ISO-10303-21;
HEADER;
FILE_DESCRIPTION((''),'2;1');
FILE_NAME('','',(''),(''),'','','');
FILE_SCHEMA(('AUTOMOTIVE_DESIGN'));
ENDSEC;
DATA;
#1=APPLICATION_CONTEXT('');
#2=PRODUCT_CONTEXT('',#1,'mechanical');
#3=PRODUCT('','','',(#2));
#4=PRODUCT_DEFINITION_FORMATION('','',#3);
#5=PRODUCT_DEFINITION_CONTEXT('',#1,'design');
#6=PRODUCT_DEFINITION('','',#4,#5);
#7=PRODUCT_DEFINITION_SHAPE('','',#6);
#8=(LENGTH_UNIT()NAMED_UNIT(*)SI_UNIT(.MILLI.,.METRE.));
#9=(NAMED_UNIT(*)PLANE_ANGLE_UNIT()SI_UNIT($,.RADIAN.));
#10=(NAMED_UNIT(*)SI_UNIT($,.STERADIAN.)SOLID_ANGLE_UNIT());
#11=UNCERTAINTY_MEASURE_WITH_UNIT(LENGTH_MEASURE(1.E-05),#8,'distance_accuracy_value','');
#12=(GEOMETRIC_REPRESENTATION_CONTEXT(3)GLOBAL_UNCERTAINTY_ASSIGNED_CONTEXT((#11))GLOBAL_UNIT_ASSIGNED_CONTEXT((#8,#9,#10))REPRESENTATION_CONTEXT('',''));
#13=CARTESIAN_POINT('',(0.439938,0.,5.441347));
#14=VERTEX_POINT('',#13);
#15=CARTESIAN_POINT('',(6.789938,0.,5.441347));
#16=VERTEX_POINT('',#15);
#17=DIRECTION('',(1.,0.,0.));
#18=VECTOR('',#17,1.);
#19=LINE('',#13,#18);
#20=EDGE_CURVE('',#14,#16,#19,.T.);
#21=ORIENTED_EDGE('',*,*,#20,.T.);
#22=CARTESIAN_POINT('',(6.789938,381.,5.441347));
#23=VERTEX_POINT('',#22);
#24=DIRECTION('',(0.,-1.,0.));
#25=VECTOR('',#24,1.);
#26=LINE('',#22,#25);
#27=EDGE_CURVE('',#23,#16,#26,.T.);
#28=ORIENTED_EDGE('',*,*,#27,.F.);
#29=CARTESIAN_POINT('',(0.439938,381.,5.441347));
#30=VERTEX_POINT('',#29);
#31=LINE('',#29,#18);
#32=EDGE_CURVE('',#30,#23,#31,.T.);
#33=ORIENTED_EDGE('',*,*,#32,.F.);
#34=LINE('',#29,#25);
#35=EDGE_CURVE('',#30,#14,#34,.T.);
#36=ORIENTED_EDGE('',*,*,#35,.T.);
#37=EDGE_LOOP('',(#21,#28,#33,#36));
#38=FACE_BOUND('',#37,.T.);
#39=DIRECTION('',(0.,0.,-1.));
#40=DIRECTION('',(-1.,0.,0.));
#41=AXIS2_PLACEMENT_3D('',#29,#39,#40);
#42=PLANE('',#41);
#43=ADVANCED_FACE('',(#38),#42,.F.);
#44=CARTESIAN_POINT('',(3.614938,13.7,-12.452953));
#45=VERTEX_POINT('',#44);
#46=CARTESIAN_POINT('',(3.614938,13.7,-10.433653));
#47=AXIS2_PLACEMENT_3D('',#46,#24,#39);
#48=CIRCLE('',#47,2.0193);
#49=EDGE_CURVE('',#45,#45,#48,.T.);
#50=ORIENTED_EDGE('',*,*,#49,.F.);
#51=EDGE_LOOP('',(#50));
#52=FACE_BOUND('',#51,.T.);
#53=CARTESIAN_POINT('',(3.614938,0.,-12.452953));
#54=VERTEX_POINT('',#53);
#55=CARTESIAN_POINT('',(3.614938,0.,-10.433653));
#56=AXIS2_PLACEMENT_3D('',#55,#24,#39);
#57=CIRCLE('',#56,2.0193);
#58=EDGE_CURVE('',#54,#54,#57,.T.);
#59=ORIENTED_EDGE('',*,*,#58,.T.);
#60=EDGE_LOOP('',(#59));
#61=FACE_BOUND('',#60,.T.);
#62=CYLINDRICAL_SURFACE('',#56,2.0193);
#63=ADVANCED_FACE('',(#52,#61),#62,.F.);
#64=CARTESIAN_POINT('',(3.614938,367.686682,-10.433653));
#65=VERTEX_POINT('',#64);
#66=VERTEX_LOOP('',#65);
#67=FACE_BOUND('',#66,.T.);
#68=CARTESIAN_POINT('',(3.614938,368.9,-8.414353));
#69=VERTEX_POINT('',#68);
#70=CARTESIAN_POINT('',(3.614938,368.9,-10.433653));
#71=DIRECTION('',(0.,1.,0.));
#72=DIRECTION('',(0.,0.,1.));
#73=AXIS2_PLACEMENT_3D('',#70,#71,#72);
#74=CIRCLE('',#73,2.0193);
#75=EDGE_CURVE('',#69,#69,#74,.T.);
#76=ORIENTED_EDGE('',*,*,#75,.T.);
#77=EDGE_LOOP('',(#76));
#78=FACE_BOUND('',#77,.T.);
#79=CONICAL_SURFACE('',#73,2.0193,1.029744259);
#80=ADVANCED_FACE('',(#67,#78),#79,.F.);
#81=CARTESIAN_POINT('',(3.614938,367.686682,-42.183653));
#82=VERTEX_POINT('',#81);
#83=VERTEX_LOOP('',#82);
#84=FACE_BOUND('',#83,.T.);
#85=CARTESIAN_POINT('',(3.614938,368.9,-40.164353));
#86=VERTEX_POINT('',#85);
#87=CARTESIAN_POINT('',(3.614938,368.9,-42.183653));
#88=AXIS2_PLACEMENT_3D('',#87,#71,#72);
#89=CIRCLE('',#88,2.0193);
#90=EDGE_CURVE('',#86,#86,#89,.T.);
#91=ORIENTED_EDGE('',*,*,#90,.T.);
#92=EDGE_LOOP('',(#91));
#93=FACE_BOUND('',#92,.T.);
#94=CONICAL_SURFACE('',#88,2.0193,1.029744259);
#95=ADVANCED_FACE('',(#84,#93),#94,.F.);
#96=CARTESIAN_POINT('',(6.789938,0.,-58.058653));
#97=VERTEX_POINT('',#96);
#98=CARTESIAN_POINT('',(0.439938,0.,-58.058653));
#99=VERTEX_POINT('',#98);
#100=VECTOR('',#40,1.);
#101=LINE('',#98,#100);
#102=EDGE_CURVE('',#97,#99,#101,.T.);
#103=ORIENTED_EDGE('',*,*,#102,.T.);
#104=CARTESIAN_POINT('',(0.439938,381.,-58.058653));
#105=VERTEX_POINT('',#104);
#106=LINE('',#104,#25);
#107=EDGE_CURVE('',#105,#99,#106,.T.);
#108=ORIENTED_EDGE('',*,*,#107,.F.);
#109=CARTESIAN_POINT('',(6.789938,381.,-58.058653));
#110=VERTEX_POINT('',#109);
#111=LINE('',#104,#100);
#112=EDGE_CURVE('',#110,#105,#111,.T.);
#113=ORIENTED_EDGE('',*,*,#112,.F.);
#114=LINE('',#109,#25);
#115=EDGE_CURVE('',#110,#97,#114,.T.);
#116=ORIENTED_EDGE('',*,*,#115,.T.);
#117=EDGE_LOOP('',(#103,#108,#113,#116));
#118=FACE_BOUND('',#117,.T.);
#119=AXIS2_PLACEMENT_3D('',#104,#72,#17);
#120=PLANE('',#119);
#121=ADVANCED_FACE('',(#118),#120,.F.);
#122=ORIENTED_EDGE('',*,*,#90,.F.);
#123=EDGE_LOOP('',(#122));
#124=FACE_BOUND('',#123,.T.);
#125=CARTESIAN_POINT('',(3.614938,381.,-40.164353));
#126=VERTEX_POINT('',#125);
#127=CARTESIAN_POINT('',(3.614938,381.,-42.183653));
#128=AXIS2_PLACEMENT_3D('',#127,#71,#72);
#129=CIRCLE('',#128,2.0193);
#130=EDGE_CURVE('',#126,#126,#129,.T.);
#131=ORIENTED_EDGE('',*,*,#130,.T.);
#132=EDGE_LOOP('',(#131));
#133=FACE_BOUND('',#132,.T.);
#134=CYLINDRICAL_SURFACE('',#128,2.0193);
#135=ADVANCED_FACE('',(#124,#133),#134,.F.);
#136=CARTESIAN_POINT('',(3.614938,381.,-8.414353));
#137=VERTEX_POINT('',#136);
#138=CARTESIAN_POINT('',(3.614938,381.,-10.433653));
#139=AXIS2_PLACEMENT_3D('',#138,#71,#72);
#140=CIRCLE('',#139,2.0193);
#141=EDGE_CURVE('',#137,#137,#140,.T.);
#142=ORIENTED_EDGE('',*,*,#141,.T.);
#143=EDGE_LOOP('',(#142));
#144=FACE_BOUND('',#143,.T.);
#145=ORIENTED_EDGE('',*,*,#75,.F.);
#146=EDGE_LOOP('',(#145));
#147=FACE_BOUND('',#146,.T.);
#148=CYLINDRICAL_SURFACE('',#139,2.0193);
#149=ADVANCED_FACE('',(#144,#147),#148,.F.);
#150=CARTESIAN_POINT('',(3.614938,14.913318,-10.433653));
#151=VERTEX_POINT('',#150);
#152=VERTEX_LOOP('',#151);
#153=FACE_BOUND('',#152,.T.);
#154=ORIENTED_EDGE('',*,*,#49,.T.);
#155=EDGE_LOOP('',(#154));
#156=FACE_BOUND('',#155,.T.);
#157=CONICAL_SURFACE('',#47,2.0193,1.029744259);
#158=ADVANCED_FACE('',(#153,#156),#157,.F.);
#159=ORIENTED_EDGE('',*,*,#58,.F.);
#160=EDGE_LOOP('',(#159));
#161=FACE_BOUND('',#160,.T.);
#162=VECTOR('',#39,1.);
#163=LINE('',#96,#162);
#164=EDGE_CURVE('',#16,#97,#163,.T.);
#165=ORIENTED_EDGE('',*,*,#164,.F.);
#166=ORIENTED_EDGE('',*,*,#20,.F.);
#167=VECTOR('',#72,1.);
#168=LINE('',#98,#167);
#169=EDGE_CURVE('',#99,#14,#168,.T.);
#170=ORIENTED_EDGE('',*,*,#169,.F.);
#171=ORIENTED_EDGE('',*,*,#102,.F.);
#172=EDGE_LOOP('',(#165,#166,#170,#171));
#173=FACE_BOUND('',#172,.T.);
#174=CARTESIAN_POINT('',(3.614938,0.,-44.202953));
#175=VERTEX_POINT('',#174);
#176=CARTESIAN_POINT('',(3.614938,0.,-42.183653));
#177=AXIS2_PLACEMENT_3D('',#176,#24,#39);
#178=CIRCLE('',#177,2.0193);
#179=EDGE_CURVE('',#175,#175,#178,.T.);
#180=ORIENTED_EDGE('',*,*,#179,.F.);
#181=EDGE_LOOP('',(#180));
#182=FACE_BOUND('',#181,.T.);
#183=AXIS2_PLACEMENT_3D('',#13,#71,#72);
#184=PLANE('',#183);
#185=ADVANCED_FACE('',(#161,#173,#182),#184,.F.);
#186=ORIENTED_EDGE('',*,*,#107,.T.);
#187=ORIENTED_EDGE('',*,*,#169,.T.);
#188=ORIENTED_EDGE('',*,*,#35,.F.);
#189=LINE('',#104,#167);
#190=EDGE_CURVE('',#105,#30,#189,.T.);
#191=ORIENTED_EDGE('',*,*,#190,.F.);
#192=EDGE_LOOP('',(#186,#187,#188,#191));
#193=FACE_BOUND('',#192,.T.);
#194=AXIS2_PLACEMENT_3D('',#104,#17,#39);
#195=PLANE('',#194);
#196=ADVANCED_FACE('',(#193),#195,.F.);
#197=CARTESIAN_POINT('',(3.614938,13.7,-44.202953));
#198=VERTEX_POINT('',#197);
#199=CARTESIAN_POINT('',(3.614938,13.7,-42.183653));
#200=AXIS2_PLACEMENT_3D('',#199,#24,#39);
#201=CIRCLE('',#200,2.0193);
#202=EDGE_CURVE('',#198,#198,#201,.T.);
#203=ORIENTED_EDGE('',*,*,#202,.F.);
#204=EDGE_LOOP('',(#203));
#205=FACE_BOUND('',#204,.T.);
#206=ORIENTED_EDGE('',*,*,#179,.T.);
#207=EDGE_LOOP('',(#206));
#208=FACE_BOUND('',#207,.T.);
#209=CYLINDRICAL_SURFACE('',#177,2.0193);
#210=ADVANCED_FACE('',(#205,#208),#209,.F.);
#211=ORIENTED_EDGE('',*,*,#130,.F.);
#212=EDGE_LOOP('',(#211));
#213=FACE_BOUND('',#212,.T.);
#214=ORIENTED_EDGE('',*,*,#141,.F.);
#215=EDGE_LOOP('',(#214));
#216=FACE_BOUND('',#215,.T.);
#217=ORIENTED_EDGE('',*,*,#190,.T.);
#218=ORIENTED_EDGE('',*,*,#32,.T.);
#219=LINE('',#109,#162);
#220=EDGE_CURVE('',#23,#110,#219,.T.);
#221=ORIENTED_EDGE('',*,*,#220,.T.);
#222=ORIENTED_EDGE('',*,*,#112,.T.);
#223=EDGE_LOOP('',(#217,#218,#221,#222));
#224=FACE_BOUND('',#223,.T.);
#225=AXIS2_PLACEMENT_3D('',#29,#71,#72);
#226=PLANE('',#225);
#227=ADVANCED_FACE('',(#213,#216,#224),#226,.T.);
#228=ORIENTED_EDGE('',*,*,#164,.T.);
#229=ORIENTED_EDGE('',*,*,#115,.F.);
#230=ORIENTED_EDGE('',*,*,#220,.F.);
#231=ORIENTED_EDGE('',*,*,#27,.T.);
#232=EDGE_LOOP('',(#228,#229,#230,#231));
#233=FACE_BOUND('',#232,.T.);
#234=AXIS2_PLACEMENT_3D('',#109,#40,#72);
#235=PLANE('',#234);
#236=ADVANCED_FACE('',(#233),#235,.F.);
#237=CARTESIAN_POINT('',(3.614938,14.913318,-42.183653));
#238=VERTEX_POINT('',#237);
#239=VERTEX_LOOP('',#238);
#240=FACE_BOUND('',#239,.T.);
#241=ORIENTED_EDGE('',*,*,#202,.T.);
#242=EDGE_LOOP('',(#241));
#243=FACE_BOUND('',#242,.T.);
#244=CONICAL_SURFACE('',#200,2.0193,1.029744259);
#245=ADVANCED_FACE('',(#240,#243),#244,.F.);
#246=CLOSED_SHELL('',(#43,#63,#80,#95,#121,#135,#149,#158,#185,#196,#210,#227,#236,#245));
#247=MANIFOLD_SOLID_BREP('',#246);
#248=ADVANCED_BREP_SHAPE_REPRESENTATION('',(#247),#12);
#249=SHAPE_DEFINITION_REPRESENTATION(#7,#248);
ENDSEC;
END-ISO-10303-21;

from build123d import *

# Parameters (mm, degrees)
SKETCH1_W                  = 6.35
SKETCH1_H                  = 63.5
BOSS_EXTRUDE1_DEPTH        = 381
F_10_32_TAPPED_HOLE1_D     = 4.0386
F_10_32_TAPPED_HOLE1_DEPTH = 12.1
F_10_32_TAPPED_HOLE1_TIP   = 1.213317848
F_10_32_TAPPED_HOLE2_D     = 4.0386
F_10_32_TAPPED_HOLE2_DEPTH = 13.7
F_10_32_TAPPED_HOLE2_TIP   = 1.213317848


with BuildPart() as part:
    # Sketch1 → Boss-Extrude1 (new body)
    with BuildSketch(Plane(origin=(0, 0, 0), x_dir=(1, 0, 0), z_dir=(0, 1, 0))):
        with Locations((3.614938025, 26.308652781)):
            Rectangle(SKETCH1_W, SKETCH1_H)
    extrude(amount=BOSS_EXTRUDE1_DEPTH)

    # #10-32 Tapped Hole1
    with Locations(Plane(origin=(3.614938025, 381, -42.183652781), x_dir=(0, 0, 1), z_dir=(0, 1, 0))):
        with Locations((0, 0), (31.75, 0)):
            Hole(F_10_32_TAPPED_HOLE1_D / 2, depth=F_10_32_TAPPED_HOLE1_DEPTH)
            with Locations((0, 0, -(F_10_32_TAPPED_HOLE1_DEPTH + F_10_32_TAPPED_HOLE1_TIP / 2))):  # 118° drill point
                Cone(0, F_10_32_TAPPED_HOLE1_D / 2, F_10_32_TAPPED_HOLE1_TIP, mode=Mode.SUBTRACT)

    # #10-32 Tapped Hole2
    with Locations(Plane(origin=(3.614938025, 0, -10.433652781), x_dir=(0, 0, -1), z_dir=(0, -1, 0))):
        with Locations((0, 0), (31.75, 0)):
            Hole(F_10_32_TAPPED_HOLE2_D / 2, depth=F_10_32_TAPPED_HOLE2_DEPTH)
            with Locations((0, 0, -(F_10_32_TAPPED_HOLE2_DEPTH + F_10_32_TAPPED_HOLE2_TIP / 2))):  # 118° drill point
                Cone(0, F_10_32_TAPPED_HOLE2_D / 2, F_10_32_TAPPED_HOLE2_TIP, mode=Mode.SUBTRACT)


solid = part.part
